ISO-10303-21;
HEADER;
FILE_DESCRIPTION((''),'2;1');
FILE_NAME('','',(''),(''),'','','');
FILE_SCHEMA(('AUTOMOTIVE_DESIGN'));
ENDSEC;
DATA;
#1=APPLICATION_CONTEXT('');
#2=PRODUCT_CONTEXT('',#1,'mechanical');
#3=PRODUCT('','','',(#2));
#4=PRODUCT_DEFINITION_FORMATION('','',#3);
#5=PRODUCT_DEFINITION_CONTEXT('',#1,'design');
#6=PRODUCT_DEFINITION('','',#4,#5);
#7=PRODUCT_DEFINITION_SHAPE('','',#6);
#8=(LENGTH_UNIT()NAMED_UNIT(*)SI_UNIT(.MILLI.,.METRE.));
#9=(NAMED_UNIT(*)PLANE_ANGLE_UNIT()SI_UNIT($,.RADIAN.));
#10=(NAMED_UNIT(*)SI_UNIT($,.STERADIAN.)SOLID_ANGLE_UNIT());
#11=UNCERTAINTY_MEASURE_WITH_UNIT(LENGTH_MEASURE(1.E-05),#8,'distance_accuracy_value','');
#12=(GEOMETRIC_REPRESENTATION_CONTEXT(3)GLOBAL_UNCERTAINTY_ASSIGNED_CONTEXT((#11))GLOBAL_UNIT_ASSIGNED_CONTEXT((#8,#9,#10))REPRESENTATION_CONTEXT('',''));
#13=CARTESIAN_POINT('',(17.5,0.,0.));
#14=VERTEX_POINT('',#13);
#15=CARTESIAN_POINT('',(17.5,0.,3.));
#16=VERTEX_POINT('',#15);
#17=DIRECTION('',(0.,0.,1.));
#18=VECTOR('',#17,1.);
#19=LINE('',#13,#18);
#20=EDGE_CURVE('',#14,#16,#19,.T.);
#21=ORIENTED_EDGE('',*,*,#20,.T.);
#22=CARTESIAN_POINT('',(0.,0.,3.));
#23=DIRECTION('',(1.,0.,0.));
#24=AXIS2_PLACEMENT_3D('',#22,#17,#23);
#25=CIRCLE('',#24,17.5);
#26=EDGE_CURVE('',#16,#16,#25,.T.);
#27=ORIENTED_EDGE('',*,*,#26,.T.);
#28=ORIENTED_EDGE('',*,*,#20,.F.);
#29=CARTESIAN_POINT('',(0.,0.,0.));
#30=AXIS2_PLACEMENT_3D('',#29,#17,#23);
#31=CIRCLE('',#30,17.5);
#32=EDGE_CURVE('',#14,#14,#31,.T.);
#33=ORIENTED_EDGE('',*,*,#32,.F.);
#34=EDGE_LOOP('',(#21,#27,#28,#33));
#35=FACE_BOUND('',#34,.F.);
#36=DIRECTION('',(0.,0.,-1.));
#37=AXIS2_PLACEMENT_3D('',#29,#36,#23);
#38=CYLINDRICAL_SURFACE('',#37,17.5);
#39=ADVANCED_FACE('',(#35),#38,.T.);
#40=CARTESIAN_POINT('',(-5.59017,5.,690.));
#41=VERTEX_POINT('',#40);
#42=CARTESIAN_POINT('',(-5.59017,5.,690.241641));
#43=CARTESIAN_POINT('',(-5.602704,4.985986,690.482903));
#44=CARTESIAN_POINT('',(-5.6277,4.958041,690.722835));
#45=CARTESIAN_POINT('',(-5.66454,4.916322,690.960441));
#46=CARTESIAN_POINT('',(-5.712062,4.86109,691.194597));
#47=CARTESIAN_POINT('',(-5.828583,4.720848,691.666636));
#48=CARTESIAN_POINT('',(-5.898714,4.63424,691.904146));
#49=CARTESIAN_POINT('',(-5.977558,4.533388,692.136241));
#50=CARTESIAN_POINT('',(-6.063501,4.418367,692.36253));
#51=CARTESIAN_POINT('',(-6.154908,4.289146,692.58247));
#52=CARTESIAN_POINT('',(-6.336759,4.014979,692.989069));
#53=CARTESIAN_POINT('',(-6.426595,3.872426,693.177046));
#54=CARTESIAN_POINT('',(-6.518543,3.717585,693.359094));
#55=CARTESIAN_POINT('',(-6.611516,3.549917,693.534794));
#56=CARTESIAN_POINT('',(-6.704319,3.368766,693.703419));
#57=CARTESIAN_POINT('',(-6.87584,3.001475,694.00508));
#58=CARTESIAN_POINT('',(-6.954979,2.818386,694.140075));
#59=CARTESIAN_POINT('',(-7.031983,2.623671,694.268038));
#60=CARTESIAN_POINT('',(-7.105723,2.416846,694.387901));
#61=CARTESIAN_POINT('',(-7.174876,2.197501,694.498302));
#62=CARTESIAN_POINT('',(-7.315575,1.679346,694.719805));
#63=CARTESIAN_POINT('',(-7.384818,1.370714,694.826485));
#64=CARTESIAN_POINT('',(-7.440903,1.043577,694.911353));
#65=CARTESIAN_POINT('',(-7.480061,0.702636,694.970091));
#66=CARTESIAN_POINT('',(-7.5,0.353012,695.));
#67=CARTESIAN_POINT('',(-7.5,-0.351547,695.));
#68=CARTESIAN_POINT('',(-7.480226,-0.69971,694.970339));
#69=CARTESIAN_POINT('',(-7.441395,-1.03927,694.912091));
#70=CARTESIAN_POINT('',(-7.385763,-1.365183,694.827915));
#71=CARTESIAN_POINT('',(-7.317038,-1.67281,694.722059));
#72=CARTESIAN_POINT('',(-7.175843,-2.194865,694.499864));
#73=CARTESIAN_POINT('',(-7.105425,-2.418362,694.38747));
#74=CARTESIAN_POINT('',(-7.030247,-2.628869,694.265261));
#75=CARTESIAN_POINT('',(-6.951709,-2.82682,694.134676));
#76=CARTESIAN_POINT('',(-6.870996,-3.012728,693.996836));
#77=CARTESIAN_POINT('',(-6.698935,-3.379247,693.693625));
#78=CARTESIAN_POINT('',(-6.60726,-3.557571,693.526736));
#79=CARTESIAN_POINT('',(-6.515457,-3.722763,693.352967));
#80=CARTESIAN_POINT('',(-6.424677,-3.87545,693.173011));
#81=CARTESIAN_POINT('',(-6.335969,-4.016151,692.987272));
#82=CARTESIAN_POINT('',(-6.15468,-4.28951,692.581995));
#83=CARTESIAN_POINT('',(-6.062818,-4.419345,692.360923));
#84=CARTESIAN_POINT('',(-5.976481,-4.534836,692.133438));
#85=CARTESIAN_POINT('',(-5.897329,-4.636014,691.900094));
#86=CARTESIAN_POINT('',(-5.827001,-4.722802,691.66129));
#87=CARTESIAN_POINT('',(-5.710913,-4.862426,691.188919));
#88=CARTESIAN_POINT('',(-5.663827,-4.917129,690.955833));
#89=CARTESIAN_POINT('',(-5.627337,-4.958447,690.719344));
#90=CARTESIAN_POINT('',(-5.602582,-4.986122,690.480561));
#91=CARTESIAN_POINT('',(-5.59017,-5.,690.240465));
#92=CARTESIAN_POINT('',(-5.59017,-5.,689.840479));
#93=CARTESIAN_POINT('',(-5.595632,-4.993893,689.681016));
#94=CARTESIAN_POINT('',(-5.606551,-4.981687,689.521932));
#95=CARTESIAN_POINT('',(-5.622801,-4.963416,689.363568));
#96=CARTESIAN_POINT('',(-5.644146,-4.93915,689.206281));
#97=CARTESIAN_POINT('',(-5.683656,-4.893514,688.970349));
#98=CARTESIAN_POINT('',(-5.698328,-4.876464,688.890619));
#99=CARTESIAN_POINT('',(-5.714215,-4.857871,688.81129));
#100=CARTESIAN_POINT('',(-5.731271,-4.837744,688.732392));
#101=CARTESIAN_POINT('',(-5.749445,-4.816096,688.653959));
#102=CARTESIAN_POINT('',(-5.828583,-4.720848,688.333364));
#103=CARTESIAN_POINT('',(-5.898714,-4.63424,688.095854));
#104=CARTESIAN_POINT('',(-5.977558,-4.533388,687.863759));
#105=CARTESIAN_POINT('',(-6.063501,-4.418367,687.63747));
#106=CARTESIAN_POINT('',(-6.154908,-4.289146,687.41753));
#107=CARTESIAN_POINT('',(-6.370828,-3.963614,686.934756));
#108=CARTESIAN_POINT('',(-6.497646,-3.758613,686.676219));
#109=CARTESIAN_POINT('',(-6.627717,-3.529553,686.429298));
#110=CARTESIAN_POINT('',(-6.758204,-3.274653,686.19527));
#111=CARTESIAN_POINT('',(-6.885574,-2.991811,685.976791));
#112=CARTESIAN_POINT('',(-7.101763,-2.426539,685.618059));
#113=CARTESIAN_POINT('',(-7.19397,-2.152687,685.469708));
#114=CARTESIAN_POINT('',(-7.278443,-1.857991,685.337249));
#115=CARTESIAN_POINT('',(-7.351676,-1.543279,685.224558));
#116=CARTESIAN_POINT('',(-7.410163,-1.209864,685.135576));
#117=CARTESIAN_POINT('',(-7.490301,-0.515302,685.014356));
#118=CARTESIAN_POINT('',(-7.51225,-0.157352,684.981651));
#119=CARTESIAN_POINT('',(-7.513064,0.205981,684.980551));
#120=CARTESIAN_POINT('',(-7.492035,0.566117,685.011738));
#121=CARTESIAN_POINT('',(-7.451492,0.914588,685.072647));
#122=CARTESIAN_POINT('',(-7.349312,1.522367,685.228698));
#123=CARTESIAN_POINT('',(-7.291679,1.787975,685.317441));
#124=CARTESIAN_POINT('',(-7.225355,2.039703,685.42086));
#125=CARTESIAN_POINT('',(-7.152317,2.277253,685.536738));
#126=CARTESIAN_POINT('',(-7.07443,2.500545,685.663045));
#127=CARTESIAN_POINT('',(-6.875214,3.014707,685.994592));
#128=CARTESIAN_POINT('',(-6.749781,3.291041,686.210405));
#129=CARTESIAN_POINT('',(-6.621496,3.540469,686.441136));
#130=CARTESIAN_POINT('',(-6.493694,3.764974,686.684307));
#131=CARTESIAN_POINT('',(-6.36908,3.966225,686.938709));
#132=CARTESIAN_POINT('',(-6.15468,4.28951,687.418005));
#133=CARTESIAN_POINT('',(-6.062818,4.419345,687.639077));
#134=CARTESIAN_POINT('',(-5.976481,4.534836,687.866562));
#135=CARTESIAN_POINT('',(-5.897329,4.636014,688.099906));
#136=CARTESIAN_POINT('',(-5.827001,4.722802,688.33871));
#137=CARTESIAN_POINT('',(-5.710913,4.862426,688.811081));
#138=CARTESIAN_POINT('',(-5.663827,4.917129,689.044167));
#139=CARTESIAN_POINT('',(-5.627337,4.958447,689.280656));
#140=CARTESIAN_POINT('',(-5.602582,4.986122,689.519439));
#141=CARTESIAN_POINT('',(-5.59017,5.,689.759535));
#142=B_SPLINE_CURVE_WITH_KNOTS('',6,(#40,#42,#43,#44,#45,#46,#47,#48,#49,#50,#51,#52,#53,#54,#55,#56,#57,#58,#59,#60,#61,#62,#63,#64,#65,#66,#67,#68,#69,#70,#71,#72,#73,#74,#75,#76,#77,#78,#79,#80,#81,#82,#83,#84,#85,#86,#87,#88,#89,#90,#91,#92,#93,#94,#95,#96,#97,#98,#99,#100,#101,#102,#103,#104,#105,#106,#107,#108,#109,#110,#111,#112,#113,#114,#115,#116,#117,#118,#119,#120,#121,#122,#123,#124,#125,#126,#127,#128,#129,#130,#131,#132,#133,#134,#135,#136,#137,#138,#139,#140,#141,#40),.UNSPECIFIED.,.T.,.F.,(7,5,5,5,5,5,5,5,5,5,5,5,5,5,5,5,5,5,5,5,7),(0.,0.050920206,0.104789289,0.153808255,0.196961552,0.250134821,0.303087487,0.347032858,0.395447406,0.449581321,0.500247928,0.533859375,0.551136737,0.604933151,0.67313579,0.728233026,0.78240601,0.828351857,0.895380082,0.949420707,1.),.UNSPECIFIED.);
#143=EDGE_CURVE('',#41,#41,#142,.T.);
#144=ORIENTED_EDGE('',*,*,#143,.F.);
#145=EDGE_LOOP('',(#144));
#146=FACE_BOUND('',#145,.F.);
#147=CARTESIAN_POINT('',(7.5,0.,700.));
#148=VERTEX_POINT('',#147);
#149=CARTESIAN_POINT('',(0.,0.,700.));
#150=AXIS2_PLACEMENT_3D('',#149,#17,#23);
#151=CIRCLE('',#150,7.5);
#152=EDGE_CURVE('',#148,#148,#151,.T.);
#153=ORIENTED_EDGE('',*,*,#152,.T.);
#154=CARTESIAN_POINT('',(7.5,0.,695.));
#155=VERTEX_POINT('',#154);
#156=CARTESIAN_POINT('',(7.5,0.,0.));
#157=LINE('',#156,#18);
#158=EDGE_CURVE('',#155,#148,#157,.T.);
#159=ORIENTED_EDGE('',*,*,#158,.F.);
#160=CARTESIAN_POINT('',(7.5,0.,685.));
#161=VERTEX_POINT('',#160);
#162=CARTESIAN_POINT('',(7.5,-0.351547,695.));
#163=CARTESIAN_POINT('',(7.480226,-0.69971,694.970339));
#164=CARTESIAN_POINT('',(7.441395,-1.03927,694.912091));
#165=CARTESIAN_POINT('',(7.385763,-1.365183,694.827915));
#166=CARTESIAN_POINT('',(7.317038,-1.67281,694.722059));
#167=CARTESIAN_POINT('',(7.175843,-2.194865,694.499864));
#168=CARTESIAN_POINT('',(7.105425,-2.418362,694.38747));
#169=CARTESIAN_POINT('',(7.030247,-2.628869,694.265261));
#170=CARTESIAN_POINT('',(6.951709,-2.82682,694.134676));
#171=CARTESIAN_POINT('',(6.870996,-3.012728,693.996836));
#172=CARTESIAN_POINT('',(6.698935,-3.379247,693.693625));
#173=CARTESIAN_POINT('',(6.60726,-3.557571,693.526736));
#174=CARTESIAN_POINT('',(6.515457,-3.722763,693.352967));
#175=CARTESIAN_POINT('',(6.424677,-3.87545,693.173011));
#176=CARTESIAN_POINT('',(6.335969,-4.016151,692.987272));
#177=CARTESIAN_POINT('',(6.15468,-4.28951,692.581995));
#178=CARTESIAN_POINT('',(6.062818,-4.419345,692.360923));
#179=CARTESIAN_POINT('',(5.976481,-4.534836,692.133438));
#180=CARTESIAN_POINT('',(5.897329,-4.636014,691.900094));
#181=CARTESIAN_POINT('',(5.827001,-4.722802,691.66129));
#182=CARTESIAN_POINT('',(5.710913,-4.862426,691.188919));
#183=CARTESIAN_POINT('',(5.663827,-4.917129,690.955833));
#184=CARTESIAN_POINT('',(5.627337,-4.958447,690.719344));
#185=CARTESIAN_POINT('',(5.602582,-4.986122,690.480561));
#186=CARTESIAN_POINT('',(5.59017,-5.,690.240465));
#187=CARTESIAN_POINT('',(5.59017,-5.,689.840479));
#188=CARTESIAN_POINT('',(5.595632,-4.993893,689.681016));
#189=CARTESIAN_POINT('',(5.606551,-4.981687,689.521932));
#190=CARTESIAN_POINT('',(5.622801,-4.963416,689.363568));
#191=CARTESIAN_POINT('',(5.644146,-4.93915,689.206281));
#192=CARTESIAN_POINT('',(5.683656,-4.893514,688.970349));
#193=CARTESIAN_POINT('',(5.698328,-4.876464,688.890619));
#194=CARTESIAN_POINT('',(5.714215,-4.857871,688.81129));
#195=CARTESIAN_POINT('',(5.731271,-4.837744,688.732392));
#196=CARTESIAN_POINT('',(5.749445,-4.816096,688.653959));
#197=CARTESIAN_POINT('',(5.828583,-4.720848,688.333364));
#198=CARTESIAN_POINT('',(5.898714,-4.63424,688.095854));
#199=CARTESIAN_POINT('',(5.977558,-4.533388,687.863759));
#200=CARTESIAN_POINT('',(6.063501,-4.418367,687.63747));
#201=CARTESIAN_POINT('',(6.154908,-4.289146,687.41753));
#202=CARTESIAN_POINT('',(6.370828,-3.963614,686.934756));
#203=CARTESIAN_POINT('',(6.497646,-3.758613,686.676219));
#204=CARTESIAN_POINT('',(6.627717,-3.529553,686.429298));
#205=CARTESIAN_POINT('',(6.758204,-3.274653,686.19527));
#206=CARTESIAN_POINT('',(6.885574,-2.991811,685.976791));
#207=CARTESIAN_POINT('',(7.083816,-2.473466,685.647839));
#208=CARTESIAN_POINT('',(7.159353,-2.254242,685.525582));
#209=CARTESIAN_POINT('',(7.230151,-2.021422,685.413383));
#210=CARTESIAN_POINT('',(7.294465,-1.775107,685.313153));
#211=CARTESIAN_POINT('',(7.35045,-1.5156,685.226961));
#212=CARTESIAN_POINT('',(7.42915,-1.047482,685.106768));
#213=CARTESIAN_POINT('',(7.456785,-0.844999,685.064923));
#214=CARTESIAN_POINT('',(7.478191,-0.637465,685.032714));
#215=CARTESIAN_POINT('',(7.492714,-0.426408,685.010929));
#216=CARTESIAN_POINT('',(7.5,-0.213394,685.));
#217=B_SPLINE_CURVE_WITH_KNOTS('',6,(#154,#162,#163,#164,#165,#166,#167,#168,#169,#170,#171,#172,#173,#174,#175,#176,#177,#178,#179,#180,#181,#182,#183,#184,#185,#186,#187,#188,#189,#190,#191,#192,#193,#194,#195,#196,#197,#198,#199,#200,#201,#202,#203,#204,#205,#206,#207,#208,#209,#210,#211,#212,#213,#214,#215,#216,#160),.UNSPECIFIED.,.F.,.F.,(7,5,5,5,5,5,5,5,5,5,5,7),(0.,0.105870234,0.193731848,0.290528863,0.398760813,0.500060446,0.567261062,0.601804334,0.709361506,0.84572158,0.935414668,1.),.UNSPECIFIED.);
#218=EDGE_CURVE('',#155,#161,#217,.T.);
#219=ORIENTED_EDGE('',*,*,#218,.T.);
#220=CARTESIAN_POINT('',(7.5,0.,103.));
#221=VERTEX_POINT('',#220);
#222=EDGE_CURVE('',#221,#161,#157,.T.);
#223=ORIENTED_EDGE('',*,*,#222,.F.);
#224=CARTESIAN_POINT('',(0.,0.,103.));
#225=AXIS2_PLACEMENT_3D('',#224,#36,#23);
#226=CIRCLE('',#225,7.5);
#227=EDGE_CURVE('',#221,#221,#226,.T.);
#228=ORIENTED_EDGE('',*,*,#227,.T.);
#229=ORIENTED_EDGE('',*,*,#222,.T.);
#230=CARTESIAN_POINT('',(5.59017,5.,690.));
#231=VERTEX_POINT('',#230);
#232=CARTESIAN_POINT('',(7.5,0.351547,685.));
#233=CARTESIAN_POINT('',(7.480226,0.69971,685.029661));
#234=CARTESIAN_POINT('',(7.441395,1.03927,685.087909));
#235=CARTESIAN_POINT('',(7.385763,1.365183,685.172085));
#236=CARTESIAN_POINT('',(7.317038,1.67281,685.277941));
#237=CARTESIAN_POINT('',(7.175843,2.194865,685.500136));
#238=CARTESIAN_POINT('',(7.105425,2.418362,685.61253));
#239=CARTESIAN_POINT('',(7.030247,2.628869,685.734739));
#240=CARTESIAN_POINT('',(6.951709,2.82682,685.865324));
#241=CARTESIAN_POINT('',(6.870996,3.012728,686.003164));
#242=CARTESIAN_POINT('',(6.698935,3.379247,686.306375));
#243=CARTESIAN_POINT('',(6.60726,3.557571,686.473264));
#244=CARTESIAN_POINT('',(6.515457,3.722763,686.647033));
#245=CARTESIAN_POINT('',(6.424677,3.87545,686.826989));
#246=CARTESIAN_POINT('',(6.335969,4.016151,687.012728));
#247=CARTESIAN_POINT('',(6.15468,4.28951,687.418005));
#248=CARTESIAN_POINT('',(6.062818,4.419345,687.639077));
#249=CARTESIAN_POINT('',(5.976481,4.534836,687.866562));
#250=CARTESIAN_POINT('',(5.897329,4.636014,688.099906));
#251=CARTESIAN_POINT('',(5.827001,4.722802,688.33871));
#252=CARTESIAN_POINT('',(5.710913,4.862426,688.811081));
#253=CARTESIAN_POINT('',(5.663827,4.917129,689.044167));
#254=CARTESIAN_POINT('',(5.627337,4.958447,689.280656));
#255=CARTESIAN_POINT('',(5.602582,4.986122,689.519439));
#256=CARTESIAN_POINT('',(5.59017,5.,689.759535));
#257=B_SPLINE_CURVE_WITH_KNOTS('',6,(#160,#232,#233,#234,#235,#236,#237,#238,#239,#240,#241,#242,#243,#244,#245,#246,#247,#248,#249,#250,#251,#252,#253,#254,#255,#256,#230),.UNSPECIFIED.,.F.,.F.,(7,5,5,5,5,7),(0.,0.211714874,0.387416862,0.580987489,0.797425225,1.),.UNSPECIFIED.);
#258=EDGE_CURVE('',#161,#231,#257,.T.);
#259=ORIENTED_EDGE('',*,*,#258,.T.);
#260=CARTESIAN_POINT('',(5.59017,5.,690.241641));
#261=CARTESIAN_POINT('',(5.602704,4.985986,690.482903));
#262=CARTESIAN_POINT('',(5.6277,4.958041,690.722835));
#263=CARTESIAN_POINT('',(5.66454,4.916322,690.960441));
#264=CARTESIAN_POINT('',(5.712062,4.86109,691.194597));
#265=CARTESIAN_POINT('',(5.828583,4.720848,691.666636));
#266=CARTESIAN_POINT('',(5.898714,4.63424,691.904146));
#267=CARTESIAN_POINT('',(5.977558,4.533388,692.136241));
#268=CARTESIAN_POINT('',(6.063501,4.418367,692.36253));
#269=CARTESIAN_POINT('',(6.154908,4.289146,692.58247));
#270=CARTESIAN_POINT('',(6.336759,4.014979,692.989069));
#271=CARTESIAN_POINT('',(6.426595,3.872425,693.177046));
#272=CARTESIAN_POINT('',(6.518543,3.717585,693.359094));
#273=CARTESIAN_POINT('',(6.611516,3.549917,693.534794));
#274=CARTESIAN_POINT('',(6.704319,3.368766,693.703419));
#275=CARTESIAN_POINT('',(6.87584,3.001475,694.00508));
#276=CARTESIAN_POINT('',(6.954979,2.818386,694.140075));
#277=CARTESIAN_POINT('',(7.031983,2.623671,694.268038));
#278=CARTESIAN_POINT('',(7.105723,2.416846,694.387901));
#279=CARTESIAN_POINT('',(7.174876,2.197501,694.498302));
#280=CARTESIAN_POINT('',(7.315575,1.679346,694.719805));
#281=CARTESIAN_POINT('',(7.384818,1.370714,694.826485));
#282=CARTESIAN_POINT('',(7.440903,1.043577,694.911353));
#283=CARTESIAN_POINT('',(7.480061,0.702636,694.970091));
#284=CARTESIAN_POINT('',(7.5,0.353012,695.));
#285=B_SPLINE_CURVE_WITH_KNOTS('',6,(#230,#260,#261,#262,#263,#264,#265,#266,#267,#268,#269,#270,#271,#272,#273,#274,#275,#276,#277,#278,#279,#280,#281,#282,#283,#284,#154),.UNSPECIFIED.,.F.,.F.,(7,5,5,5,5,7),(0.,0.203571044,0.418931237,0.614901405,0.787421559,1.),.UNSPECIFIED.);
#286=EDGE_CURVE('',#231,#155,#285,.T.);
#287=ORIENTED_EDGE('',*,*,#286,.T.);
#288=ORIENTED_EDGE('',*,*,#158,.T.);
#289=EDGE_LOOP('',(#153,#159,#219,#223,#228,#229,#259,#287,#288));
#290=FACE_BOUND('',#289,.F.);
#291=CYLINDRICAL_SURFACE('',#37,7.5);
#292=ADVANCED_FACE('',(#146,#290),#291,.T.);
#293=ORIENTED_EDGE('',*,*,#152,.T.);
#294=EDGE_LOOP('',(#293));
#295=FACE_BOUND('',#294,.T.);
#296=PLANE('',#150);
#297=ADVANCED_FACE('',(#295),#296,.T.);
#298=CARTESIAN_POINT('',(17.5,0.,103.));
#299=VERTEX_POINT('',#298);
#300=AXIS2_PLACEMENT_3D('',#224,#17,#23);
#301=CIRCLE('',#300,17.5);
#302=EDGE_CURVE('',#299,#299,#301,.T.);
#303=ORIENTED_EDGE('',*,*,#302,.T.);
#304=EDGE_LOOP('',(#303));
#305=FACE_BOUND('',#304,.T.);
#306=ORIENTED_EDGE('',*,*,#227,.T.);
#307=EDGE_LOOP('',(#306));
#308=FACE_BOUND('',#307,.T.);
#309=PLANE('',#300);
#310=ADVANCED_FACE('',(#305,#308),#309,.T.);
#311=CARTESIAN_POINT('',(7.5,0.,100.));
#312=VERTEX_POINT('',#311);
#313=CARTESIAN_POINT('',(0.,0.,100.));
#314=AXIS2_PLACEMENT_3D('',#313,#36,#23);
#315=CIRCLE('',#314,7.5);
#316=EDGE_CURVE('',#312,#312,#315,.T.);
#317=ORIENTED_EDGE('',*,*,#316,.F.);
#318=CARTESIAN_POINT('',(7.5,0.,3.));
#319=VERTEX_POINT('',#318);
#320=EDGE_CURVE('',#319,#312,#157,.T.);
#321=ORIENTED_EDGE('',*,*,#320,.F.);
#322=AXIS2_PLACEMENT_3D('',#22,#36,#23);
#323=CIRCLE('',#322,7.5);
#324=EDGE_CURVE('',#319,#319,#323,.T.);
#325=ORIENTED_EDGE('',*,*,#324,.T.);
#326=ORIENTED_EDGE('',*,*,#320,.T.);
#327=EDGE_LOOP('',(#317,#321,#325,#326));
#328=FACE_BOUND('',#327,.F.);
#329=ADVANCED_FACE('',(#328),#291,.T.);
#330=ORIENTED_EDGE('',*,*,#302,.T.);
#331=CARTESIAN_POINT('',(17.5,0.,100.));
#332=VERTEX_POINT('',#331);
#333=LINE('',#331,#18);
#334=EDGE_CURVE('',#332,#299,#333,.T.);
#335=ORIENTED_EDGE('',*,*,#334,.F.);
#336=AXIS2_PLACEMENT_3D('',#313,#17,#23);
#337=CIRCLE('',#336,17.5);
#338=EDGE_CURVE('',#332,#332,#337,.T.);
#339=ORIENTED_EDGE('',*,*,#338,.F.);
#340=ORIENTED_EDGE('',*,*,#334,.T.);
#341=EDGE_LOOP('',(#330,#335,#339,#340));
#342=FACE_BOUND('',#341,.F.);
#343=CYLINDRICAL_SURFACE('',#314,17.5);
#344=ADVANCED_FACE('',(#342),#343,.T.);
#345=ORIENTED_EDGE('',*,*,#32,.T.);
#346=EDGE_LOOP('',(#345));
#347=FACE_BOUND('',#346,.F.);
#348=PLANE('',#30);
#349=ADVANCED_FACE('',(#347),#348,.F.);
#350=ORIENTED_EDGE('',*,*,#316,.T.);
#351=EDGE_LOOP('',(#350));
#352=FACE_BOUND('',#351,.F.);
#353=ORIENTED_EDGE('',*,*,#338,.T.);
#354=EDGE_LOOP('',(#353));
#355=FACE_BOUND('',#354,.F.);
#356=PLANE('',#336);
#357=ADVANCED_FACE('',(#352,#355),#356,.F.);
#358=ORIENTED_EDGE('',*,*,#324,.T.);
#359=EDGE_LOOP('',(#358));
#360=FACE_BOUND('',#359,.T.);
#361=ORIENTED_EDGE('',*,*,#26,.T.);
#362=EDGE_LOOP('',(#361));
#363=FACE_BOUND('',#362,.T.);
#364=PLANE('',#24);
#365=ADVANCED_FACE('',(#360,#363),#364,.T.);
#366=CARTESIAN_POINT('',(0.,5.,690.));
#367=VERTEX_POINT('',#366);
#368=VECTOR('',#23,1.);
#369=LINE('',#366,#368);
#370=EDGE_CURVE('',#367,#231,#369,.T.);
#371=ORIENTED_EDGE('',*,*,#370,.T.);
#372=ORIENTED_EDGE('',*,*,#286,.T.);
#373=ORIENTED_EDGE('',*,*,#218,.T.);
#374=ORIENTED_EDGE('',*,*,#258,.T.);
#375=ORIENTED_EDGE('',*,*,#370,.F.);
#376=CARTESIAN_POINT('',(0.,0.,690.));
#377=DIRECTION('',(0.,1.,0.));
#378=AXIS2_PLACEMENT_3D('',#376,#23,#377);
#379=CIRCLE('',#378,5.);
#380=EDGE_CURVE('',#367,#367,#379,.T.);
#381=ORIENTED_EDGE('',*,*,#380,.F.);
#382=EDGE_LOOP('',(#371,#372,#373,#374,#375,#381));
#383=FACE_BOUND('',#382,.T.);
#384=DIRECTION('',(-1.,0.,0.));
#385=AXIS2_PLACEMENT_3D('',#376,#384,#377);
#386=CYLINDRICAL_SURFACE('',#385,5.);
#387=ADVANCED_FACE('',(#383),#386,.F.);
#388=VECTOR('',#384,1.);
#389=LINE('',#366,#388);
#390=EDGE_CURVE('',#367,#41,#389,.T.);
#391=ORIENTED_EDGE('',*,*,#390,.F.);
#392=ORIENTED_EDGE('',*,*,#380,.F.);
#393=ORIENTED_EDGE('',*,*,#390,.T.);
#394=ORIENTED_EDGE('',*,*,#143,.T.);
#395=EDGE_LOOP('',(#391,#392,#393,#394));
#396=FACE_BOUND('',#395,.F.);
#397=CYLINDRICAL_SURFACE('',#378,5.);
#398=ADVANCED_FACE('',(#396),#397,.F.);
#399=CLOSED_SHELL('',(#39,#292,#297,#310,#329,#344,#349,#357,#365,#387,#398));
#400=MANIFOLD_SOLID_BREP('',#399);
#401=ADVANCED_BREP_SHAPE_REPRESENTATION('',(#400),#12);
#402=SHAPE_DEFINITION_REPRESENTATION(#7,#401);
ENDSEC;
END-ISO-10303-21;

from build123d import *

# Parameters (mm, degrees)
F0_R          = 7.5
F1_DEPTH      = 700
F2_R          = 5
F3_DEPTH      = 7.501
F3_DEPTH_BACK = 7.501
F5_R          = 17.5
F6_DEPTH      = 3
F7_R          = 17.5
F8_DEPTH      = 3


with BuildPart() as f1:
    # F0 (on Top) → F1 (new body)
    with BuildSketch(Plane.XY):
        Circle(F0_R)
    extrude(amount=F1_DEPTH)

    # F2 (on Right) → F3 (cut, two sides)
    with BuildSketch(Plane.YZ) as f3_sk:
        with Locations((0, 690)):
            Circle(F2_R)
    extrude(amount=-F3_DEPTH, mode=Mode.SUBTRACT)
    extrude(f3_sk.sketch, amount=F3_DEPTH_BACK, mode=Mode.SUBTRACT)

    # F5 (on Top) → F6 (join)
    with BuildSketch(Plane.XY):
        Circle(F5_R)
    extrude(amount=F6_DEPTH)

    # F7 (on offset) → F8 (join)
    with BuildSketch(Plane.XY.offset(100)):
        Circle(F7_R)
    extrude(amount=F8_DEPTH)


solid = f1.part
